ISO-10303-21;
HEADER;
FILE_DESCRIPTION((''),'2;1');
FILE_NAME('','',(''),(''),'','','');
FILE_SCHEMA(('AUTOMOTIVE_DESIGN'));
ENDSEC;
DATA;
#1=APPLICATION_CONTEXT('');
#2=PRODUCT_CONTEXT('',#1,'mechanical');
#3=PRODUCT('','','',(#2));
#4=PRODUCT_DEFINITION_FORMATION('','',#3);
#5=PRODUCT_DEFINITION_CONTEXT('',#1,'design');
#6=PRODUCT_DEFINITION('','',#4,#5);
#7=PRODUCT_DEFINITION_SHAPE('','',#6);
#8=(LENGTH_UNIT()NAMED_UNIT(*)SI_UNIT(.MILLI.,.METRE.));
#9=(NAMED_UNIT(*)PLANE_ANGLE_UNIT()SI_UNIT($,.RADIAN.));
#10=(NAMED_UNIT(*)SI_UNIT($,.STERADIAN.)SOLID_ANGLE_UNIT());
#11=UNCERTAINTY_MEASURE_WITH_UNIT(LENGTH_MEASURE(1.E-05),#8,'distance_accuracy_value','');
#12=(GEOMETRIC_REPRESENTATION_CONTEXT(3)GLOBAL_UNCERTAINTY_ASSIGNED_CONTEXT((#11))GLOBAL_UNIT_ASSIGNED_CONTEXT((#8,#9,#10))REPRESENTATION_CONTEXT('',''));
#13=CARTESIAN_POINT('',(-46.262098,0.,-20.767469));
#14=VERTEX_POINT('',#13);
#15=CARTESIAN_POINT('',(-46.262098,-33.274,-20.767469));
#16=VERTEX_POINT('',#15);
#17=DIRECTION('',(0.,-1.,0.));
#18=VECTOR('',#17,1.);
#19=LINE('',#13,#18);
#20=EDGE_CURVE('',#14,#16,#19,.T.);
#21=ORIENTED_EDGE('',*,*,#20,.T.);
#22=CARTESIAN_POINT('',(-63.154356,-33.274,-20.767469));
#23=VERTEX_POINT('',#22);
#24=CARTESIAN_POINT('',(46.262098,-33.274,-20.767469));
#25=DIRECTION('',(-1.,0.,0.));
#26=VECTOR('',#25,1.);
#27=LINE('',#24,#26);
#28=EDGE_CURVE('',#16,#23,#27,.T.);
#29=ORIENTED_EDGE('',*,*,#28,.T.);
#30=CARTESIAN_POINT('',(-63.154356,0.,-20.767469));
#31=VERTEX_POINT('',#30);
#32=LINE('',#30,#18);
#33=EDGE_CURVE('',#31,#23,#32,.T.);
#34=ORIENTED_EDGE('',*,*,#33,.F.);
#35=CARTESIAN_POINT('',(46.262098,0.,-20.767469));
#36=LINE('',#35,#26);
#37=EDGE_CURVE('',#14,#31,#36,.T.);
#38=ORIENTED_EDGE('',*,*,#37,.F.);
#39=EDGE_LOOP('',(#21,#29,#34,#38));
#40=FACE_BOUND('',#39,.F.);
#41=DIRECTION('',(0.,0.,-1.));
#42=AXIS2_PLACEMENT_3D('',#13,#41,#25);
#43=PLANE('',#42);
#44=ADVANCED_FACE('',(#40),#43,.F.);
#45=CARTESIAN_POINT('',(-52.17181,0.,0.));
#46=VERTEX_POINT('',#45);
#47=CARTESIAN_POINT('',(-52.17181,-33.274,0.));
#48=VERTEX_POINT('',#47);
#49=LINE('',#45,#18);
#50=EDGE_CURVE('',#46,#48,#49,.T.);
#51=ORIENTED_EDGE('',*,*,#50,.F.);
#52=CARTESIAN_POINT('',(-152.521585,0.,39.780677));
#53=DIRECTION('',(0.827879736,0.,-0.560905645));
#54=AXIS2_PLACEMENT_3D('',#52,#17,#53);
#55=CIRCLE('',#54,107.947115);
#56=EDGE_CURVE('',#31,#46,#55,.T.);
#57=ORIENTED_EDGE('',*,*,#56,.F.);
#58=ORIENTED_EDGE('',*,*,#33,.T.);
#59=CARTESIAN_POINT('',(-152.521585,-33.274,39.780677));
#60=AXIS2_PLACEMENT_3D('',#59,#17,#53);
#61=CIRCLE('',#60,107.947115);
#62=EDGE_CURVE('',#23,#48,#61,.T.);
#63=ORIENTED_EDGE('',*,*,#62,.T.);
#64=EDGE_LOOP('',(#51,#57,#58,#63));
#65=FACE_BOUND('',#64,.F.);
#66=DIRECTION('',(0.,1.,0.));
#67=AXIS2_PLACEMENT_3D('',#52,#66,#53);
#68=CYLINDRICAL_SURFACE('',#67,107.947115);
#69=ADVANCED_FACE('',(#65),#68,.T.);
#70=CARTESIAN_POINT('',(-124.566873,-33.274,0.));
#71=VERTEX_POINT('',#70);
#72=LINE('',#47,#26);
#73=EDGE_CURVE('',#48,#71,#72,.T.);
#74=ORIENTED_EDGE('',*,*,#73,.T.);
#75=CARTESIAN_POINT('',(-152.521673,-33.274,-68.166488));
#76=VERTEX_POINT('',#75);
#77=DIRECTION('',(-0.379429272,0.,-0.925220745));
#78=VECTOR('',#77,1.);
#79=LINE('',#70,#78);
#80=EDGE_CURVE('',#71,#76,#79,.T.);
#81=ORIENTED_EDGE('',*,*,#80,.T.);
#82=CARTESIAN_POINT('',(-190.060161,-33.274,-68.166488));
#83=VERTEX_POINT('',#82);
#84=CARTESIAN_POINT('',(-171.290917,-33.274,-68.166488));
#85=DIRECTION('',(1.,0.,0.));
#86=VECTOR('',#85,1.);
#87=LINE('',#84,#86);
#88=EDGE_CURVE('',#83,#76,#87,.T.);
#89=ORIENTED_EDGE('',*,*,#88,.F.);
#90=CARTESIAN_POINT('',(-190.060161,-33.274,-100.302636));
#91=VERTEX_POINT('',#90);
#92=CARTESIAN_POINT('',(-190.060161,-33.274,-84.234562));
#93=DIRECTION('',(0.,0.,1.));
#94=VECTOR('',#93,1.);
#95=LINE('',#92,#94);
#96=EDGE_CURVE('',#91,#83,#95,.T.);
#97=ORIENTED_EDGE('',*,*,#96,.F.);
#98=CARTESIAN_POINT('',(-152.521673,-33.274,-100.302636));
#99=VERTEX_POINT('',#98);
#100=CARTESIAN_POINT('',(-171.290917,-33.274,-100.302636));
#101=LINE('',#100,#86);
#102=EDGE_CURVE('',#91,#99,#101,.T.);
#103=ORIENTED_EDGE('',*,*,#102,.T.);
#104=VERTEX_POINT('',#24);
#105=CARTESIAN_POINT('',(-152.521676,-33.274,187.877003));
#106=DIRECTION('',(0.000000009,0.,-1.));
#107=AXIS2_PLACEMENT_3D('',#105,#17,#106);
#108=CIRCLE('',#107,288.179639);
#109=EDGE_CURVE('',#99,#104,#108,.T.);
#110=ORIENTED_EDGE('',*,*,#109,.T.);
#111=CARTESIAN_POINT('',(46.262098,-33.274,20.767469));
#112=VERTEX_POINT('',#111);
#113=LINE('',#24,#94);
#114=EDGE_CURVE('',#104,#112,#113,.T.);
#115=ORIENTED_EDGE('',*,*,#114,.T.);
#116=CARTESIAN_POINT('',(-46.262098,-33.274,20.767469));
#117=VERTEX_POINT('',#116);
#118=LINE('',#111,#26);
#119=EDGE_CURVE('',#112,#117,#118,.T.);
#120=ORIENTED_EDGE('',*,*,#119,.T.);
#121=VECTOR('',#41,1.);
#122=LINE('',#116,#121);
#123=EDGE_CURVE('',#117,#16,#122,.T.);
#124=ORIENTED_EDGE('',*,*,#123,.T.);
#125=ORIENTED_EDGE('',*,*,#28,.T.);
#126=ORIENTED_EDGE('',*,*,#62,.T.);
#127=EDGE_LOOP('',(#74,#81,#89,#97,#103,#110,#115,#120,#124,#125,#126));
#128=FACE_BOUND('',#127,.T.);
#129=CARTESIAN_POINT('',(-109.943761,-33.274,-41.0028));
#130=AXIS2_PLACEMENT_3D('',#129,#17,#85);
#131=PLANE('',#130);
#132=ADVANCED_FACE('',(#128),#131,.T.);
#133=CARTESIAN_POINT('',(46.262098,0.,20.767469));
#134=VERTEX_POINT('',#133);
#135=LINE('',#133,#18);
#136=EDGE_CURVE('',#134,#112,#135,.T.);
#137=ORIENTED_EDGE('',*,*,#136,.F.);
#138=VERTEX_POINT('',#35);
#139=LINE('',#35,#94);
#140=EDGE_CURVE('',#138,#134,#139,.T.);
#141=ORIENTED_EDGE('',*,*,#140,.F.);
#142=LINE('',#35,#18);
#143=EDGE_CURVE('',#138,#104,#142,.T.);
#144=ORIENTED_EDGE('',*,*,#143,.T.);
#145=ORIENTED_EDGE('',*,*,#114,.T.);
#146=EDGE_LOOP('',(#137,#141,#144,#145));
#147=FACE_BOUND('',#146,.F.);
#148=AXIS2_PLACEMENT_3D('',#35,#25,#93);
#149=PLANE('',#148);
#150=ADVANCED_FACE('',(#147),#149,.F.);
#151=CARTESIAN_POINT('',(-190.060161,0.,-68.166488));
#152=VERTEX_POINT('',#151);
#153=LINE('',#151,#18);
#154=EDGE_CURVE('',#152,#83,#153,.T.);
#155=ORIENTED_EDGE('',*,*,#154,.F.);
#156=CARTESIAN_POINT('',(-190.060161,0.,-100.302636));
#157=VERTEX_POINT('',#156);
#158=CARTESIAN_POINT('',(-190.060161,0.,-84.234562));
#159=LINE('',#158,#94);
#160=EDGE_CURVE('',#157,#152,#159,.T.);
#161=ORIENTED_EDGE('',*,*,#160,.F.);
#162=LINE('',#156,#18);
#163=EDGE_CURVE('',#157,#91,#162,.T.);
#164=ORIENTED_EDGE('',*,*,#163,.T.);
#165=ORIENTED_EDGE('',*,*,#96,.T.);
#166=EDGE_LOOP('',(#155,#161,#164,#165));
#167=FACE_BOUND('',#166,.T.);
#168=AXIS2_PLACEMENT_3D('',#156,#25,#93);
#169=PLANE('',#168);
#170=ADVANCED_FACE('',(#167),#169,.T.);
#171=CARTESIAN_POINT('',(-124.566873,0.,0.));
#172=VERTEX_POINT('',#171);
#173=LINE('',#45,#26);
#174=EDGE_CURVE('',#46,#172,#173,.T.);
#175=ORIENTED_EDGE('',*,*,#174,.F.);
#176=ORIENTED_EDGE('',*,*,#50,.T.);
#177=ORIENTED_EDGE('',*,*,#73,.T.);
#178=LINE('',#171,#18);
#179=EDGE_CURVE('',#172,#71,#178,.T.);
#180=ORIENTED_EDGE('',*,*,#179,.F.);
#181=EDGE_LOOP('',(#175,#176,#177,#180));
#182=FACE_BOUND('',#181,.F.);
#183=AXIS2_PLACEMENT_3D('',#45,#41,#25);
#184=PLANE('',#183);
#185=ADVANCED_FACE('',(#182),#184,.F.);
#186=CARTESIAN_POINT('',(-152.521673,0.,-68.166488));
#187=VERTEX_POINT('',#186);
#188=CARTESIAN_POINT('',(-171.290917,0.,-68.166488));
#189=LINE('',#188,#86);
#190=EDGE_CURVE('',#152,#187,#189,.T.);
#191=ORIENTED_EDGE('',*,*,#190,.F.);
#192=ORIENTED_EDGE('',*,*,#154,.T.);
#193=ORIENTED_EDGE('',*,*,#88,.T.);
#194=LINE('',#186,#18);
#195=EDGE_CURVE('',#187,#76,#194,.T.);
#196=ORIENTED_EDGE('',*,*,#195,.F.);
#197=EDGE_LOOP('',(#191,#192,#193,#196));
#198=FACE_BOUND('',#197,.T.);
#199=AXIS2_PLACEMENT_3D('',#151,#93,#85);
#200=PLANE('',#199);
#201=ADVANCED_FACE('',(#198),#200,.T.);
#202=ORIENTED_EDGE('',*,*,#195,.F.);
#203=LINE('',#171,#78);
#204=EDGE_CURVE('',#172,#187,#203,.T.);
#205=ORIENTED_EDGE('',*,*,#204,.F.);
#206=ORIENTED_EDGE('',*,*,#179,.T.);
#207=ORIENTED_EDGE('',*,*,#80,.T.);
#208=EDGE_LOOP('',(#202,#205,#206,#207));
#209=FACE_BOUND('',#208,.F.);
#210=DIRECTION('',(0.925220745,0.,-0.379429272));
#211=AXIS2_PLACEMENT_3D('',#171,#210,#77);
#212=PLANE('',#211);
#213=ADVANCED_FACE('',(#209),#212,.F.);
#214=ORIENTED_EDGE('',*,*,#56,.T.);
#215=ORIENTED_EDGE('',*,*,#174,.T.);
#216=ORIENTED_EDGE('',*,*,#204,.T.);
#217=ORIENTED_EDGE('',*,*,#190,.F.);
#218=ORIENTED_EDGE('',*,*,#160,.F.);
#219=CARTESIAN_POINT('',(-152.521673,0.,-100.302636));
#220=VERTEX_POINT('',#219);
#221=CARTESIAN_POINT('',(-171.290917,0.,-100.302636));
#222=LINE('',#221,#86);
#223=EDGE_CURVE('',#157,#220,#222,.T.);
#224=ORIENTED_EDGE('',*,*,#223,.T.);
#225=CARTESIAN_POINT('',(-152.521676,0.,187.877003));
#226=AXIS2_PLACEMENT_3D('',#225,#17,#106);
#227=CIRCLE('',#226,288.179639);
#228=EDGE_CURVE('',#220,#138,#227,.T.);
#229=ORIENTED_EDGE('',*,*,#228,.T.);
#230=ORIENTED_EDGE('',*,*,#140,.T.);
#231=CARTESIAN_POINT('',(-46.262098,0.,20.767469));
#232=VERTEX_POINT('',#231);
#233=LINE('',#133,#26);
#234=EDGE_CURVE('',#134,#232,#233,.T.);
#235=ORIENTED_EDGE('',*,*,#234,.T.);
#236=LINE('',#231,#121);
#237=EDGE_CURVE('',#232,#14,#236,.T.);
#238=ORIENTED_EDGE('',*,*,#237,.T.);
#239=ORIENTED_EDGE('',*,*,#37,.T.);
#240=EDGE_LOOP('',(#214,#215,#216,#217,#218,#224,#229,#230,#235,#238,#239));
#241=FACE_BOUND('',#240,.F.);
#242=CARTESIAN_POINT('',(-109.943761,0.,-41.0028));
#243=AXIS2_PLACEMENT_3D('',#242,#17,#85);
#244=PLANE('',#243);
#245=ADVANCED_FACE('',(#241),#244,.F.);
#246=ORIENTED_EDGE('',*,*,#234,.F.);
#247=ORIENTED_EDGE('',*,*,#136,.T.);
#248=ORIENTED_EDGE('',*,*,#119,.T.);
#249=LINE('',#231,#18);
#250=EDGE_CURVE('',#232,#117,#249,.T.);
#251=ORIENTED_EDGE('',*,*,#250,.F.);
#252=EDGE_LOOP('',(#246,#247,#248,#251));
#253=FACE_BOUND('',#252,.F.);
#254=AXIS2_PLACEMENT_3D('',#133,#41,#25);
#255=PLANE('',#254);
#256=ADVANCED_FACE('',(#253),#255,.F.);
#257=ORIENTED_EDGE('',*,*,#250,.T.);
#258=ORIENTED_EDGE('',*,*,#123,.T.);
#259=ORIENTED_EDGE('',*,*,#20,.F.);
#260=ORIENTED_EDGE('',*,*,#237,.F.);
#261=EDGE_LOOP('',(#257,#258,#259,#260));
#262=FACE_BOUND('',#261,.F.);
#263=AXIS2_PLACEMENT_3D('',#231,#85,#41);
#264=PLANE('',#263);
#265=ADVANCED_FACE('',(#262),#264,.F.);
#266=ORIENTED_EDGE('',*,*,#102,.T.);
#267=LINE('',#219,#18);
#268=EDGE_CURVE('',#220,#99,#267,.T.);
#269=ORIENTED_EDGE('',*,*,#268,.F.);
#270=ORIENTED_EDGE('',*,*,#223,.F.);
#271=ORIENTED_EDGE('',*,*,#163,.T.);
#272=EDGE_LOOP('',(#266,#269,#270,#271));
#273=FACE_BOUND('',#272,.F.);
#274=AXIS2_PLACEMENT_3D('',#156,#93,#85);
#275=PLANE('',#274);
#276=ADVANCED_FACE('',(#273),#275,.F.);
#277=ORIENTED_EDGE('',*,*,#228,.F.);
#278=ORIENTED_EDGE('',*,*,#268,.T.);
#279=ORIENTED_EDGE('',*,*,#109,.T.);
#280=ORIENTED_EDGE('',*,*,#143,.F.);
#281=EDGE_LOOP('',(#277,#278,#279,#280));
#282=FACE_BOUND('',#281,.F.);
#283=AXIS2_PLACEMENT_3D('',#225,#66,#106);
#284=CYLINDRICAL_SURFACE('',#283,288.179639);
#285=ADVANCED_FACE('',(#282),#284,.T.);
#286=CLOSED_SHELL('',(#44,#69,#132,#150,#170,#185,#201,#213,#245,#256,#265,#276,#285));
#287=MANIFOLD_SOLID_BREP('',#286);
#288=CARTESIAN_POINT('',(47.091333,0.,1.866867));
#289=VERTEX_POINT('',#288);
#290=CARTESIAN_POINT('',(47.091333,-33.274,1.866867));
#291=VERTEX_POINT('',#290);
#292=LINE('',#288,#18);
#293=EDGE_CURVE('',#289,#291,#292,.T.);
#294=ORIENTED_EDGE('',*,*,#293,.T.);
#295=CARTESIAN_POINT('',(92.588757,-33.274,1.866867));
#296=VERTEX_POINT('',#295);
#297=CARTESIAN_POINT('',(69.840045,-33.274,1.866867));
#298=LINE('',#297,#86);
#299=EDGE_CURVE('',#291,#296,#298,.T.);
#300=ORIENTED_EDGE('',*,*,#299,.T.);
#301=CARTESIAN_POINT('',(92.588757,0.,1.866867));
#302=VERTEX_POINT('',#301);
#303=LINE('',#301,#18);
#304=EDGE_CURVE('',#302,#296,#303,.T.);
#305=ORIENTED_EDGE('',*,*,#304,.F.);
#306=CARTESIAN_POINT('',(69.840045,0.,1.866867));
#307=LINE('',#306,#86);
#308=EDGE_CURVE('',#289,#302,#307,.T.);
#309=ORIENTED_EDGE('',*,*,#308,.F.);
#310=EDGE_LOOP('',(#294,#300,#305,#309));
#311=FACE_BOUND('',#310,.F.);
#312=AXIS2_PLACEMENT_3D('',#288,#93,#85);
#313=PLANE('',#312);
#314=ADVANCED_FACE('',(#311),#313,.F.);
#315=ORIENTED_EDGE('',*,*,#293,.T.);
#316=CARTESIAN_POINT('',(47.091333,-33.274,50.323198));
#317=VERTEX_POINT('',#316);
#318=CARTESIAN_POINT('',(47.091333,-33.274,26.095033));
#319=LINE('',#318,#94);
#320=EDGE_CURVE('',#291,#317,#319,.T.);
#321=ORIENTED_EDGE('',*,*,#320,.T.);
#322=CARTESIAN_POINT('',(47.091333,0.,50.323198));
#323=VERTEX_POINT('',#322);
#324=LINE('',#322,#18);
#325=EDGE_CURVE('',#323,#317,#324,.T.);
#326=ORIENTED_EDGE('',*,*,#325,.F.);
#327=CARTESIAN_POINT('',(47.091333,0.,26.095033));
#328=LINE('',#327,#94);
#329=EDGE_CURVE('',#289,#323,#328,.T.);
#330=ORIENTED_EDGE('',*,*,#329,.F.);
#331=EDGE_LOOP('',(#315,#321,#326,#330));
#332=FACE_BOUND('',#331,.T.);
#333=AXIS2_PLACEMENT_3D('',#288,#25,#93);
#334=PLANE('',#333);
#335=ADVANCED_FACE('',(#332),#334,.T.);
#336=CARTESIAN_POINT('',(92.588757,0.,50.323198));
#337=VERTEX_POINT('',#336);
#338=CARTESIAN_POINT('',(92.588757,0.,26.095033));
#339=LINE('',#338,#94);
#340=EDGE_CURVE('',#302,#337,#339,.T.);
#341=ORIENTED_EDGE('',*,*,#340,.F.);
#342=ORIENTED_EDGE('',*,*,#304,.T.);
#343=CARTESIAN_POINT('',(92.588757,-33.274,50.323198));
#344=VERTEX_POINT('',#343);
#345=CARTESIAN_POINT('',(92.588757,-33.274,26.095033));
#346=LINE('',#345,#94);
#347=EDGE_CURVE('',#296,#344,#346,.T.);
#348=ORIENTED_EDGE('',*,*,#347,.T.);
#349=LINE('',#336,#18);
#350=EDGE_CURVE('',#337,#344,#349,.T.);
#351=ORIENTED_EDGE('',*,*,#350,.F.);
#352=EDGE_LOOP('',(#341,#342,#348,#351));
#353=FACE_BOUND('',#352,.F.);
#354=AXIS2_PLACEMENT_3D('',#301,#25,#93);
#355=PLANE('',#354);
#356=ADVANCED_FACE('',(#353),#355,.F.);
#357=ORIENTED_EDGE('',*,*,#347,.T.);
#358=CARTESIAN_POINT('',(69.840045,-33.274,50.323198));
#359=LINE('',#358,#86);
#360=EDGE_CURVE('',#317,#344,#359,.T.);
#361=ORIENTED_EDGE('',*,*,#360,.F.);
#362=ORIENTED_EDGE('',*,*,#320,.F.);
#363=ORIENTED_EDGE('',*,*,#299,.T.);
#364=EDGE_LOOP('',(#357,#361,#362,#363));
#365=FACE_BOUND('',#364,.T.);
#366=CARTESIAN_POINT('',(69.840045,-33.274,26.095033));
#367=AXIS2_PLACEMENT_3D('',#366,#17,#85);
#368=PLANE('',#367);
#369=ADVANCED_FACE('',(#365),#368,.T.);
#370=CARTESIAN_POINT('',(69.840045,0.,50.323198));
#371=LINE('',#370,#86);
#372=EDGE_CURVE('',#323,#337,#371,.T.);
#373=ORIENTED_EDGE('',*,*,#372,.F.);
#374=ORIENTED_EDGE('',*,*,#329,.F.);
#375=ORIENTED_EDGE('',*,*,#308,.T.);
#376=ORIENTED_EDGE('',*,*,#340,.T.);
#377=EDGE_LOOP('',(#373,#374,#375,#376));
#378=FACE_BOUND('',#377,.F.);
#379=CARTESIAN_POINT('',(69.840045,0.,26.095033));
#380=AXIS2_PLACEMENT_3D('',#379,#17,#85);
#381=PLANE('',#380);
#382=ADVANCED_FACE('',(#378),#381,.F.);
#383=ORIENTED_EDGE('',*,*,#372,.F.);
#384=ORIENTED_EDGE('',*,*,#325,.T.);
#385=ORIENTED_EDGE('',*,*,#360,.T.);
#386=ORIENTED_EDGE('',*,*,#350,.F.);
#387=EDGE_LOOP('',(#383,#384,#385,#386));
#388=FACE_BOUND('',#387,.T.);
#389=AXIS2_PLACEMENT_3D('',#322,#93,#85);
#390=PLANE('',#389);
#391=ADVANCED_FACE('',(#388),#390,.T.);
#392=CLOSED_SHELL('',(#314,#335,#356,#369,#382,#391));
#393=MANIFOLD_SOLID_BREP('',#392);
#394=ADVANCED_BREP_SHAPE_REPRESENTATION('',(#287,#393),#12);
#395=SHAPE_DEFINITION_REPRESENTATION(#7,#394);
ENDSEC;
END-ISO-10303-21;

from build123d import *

# Parameters (mm, degrees)
F0_W     = 45.497424
F0_H     = 48.456331
F0_W_2   = 37.538488
F0_H_2   = 32.136148
F1_DEPTH = 33.274


with BuildPart() as f1:
    # F0 (on Front) → F1 (new body)
    with BuildSketch(Plane.XZ):
        with BuildLine():
            ThreePointArc((-152.521673, -68.166488), (-101.942071, -55.58334), (-63.154356, -20.767469))
            Line((-63.154356, -20.767469), (-124.566873, -20.767469))
            Line((-124.566873, -20.767469), (-152.521673, -68.166488))
        make_face()
        with BuildLine():
            Line((46.262098, -20.767469), (-46.262098, -20.767469))
            Line((-46.262098, -20.767469), (-63.154356, -20.767469))
            ThreePointArc((-63.154356, -20.767469), (-101.942071, -55.58334), (-152.521673, -68.166488))
            Line((-152.521673, -68.166488), (-152.521673, -100.302636))
            ThreePointArc((-152.521673, -100.302636), (-45.469314, -79.681021), (46.262098, -20.767469))
        make_face()
        Polygon((-46.262098, 0), (-46.262098, -20.767469), (46.262098, -20.767469), (46.262098, 1.866868), (46.262098, 20.767469), (-46.262098, 20.767469), align=None)
        with BuildLine():
            Line((-124.566873, -20.767469), (-63.154356, -20.767469))
            ThreePointArc((-63.154356, -20.767469), (-57.096445, -10.683392), (-52.17181, 0))
            Line((-52.17181, 0), (-124.566873, 0))
            Line((-124.566873, 0), (-152.521673, -68.166488))
            Line((-152.521673, -68.166488), (-124.566873, -20.767469))
        make_face()
        with Locations((69.840045, 26.095033)):
            Rectangle(F0_W, F0_H)
        with Locations((-171.290917, -84.234562)):
            Rectangle(F0_W_2, F0_H_2)
    extrude(amount=F1_DEPTH)


solid = f1.part
